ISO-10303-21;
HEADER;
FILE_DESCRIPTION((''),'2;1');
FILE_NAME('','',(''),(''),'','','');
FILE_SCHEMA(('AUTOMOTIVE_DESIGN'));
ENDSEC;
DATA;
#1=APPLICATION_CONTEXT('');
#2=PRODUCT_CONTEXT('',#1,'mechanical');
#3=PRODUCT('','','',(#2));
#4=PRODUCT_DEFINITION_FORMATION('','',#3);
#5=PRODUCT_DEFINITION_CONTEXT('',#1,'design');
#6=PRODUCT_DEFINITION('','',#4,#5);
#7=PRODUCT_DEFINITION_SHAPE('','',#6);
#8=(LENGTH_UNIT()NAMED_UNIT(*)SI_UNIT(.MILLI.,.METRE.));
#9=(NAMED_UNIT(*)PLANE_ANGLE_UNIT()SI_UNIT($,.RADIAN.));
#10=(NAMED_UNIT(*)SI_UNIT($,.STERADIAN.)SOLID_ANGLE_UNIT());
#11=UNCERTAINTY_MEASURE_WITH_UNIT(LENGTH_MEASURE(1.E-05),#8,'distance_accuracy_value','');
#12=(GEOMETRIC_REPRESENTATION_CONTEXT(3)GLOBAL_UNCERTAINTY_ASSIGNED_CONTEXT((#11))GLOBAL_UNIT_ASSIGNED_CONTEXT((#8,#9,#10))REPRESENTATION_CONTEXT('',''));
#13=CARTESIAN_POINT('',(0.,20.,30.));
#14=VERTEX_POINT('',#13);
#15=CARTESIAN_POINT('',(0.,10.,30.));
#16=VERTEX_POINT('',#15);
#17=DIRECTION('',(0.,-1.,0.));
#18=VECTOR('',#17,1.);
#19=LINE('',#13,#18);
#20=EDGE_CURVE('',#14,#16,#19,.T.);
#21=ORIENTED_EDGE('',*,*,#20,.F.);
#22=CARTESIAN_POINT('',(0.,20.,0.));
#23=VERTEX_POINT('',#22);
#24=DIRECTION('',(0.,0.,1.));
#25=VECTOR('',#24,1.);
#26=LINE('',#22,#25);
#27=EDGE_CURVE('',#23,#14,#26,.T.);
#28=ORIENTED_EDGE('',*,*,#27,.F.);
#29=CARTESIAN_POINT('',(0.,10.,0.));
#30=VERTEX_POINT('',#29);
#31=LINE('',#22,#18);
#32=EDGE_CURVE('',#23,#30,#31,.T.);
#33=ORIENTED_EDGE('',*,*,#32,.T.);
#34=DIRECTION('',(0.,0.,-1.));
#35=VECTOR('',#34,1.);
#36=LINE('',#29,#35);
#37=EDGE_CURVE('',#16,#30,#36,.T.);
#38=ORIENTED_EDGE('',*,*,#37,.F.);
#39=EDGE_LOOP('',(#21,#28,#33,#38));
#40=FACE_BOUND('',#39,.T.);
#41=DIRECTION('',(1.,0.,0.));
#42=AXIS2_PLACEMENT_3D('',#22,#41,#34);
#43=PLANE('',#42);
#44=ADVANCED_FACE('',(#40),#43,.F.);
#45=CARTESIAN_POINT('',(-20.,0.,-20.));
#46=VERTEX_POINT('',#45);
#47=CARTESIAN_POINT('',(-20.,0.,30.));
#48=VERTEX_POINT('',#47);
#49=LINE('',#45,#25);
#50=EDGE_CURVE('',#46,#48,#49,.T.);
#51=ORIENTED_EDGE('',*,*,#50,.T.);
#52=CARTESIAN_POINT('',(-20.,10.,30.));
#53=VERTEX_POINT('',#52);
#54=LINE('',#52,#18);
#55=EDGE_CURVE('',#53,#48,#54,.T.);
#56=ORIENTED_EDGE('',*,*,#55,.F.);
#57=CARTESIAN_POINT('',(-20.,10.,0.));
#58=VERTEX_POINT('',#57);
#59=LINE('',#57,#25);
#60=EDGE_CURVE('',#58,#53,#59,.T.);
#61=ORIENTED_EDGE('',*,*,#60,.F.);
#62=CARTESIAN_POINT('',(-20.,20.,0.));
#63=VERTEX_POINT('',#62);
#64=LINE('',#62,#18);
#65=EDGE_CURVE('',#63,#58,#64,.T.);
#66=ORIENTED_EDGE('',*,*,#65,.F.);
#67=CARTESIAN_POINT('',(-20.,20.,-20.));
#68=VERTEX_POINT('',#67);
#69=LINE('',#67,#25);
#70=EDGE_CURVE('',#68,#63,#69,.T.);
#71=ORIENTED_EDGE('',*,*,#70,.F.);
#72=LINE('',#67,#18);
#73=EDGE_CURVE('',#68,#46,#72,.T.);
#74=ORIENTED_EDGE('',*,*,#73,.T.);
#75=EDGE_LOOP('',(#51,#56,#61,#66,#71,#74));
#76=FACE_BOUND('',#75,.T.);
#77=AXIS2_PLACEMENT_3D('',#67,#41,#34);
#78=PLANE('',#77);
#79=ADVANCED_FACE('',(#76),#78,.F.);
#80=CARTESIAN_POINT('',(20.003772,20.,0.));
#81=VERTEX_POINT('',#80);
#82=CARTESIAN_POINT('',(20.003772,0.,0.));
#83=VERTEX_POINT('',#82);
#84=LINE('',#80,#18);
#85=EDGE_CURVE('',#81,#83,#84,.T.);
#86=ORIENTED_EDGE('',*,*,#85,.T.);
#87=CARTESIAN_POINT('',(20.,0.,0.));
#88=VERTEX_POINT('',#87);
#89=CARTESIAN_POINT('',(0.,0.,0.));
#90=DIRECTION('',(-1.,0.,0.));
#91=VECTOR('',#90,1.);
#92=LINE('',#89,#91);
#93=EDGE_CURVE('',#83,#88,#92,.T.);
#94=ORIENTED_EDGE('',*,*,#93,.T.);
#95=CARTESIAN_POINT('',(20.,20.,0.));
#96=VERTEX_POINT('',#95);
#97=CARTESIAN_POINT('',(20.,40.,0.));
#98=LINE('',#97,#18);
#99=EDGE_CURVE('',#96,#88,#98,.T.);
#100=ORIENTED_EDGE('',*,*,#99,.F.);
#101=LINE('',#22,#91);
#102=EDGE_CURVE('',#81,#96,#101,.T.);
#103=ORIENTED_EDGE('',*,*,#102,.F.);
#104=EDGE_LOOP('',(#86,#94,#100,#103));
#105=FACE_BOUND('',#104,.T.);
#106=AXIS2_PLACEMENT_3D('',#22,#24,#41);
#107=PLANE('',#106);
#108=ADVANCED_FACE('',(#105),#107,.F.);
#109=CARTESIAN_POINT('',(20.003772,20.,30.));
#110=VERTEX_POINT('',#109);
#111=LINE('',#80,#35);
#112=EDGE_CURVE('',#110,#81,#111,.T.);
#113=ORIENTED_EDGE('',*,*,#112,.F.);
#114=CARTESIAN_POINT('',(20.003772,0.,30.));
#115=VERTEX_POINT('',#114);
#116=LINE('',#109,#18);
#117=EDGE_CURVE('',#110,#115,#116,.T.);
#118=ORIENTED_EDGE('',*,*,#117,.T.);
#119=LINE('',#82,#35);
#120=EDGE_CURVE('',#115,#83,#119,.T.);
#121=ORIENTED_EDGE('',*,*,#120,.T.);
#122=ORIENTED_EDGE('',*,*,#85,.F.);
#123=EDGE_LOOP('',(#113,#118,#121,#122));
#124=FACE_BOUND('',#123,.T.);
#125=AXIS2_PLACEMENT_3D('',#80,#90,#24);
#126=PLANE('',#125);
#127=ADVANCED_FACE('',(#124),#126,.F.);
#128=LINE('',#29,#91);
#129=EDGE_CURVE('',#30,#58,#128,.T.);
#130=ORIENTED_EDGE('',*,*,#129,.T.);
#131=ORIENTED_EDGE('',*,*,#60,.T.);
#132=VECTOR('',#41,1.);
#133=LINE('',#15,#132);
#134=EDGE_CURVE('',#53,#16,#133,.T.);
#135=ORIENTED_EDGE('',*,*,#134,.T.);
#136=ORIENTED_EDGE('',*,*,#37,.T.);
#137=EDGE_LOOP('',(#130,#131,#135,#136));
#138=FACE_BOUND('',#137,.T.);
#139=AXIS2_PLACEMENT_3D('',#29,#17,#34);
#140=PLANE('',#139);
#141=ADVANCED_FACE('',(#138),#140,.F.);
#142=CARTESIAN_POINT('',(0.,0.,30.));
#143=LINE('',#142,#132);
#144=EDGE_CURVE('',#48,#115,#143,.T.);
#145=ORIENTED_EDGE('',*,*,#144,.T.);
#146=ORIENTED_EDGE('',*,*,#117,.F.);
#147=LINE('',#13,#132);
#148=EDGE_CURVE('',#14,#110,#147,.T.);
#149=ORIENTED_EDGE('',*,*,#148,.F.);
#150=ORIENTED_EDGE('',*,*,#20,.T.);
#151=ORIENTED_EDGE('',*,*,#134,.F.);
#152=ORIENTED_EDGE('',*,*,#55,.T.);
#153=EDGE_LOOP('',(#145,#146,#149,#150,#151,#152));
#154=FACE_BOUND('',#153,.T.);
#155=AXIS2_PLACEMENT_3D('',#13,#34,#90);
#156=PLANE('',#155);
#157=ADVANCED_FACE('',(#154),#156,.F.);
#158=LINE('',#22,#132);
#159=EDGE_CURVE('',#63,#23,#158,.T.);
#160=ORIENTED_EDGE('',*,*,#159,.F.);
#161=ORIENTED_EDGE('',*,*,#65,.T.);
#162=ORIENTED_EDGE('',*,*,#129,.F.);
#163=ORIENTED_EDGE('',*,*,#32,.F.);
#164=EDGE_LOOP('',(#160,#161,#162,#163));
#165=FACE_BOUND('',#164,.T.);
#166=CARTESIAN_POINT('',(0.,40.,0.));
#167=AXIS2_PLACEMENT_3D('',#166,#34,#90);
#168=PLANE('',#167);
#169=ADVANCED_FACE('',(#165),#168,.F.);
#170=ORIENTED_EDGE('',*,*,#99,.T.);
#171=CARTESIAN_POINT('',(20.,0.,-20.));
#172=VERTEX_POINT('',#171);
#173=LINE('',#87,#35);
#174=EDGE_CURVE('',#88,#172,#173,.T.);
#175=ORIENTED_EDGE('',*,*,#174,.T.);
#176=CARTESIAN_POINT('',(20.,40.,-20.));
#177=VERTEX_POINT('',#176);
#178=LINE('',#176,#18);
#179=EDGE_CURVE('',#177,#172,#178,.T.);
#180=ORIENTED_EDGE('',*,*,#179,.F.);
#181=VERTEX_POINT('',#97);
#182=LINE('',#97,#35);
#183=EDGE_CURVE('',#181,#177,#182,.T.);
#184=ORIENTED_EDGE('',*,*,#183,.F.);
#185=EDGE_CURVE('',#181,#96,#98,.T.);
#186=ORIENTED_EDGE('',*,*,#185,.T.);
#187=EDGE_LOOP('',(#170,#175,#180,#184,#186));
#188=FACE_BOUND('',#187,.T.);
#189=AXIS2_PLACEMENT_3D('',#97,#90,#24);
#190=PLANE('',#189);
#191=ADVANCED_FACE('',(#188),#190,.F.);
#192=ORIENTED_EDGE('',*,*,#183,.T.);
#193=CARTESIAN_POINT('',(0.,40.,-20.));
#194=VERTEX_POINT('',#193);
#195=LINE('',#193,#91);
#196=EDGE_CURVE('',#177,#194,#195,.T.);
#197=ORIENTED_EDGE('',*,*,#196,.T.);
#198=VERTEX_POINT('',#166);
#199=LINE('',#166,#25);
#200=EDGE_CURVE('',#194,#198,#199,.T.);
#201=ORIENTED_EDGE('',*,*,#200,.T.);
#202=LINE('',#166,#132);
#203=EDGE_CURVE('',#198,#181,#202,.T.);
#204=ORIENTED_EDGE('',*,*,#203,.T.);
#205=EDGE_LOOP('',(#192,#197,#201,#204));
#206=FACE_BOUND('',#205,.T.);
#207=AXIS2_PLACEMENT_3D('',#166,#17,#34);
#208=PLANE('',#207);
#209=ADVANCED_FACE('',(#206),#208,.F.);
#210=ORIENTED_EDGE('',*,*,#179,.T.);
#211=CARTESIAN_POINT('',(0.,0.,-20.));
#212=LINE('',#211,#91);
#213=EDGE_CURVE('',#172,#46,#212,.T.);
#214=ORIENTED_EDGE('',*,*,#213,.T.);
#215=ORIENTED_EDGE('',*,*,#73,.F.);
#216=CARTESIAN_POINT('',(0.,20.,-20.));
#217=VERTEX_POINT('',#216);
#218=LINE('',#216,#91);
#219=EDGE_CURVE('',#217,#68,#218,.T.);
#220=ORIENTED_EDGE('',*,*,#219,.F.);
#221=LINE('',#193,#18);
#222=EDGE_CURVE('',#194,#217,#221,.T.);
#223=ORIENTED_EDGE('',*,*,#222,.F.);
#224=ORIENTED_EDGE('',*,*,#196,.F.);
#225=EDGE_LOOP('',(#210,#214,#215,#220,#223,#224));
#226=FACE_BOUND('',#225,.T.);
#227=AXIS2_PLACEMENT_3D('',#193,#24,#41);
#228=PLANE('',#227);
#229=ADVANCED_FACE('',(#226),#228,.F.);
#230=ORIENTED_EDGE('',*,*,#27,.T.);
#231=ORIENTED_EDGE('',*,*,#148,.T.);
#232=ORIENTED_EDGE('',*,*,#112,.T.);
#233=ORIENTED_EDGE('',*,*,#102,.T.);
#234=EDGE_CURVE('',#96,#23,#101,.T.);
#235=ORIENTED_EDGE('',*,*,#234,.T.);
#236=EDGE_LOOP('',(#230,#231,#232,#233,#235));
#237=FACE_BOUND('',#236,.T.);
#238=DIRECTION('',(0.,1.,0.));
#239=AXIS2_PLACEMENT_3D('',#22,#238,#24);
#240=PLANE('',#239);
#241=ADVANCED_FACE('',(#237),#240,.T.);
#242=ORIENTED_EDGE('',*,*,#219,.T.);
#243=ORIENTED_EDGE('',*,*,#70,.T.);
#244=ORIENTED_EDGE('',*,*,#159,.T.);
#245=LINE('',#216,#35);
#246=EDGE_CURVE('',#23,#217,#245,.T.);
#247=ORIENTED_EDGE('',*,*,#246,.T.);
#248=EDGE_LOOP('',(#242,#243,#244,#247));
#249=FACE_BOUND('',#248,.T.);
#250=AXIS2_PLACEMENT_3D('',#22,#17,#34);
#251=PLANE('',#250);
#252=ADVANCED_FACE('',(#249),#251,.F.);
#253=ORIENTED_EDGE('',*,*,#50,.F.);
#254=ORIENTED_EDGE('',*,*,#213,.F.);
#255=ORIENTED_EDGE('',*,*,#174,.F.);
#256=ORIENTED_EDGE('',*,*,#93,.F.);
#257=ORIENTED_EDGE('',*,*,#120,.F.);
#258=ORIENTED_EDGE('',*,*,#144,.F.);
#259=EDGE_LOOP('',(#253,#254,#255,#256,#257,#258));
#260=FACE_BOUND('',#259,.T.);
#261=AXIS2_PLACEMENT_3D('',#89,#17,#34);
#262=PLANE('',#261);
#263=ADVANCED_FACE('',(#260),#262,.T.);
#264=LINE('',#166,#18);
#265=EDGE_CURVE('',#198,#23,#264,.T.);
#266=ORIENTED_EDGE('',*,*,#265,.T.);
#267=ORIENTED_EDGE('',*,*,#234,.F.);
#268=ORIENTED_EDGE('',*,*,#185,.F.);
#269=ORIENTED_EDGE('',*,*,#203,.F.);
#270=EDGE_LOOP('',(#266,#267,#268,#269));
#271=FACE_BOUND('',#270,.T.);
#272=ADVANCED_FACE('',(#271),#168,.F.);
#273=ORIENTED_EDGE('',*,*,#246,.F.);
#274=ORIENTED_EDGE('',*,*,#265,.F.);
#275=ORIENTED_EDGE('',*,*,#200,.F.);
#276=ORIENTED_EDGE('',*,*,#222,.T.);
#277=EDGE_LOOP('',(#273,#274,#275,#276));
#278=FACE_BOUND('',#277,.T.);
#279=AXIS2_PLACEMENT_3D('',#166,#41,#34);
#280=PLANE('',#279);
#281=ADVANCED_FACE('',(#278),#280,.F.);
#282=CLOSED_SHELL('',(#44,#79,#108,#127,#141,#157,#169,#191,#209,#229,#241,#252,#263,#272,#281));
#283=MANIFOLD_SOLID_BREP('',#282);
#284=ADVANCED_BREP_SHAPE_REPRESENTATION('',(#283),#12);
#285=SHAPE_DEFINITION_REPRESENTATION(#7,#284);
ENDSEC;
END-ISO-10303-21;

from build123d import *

# Parameters (mm, degrees)
SKETCH1_W            = 20
SKETCH1_H            = 20
BOSS_EXTRUDE7_DEPTH  = 40
SKETCH5_W            = 20
SKETCH5_H            = 20
BOSS_EXTRUDE8_DEPTH  = 20
SKETCH6_W            = 20.003772024
SKETCH6_H            = 30
BOSS_EXTRUDE9_DEPTH  = 20
SKETCH7_W            = 20
SKETCH7_H            = 30
BOSS_EXTRUDE10_DEPTH = 10


with BuildPart() as part:
    # Sketch1 → Boss-Extrude7 (new body)
    with BuildSketch(Plane(origin=(0, 0, 0), x_dir=(1, 0, 0), z_dir=(0, 1, 0))):
        with Locations((10, 10)):
            Rectangle(SKETCH1_W, SKETCH1_H)
    extrude(amount=BOSS_EXTRUDE7_DEPTH)

    # Sketch5 → Boss-Extrude8 (add)
    with BuildSketch(Plane(origin=(0, 0, 0), x_dir=(1, 0, 0), z_dir=(0, 1, 0))):
        with Locations((-10, 10)):
            Rectangle(SKETCH5_W, SKETCH5_H)
    extrude(amount=BOSS_EXTRUDE8_DEPTH)

    # Sketch6 → Boss-Extrude9 (add)
    with BuildSketch(Plane(origin=(0, 0, 0), x_dir=(1, 0, 0), z_dir=(0, 1, 0))):
        with Locations((10.001886012, -15)):
            Rectangle(SKETCH6_W, SKETCH6_H)
    extrude(amount=BOSS_EXTRUDE9_DEPTH)

    # Sketch7 → Boss-Extrude10 (add)
    with BuildSketch(Plane(origin=(0, 0, 0), x_dir=(1, 0, 0), z_dir=(0, 1, 0))):
        with Locations((-10, -15)):
            Rectangle(SKETCH7_W, SKETCH7_H)
    extrude(amount=BOSS_EXTRUDE10_DEPTH)


solid = part.part
